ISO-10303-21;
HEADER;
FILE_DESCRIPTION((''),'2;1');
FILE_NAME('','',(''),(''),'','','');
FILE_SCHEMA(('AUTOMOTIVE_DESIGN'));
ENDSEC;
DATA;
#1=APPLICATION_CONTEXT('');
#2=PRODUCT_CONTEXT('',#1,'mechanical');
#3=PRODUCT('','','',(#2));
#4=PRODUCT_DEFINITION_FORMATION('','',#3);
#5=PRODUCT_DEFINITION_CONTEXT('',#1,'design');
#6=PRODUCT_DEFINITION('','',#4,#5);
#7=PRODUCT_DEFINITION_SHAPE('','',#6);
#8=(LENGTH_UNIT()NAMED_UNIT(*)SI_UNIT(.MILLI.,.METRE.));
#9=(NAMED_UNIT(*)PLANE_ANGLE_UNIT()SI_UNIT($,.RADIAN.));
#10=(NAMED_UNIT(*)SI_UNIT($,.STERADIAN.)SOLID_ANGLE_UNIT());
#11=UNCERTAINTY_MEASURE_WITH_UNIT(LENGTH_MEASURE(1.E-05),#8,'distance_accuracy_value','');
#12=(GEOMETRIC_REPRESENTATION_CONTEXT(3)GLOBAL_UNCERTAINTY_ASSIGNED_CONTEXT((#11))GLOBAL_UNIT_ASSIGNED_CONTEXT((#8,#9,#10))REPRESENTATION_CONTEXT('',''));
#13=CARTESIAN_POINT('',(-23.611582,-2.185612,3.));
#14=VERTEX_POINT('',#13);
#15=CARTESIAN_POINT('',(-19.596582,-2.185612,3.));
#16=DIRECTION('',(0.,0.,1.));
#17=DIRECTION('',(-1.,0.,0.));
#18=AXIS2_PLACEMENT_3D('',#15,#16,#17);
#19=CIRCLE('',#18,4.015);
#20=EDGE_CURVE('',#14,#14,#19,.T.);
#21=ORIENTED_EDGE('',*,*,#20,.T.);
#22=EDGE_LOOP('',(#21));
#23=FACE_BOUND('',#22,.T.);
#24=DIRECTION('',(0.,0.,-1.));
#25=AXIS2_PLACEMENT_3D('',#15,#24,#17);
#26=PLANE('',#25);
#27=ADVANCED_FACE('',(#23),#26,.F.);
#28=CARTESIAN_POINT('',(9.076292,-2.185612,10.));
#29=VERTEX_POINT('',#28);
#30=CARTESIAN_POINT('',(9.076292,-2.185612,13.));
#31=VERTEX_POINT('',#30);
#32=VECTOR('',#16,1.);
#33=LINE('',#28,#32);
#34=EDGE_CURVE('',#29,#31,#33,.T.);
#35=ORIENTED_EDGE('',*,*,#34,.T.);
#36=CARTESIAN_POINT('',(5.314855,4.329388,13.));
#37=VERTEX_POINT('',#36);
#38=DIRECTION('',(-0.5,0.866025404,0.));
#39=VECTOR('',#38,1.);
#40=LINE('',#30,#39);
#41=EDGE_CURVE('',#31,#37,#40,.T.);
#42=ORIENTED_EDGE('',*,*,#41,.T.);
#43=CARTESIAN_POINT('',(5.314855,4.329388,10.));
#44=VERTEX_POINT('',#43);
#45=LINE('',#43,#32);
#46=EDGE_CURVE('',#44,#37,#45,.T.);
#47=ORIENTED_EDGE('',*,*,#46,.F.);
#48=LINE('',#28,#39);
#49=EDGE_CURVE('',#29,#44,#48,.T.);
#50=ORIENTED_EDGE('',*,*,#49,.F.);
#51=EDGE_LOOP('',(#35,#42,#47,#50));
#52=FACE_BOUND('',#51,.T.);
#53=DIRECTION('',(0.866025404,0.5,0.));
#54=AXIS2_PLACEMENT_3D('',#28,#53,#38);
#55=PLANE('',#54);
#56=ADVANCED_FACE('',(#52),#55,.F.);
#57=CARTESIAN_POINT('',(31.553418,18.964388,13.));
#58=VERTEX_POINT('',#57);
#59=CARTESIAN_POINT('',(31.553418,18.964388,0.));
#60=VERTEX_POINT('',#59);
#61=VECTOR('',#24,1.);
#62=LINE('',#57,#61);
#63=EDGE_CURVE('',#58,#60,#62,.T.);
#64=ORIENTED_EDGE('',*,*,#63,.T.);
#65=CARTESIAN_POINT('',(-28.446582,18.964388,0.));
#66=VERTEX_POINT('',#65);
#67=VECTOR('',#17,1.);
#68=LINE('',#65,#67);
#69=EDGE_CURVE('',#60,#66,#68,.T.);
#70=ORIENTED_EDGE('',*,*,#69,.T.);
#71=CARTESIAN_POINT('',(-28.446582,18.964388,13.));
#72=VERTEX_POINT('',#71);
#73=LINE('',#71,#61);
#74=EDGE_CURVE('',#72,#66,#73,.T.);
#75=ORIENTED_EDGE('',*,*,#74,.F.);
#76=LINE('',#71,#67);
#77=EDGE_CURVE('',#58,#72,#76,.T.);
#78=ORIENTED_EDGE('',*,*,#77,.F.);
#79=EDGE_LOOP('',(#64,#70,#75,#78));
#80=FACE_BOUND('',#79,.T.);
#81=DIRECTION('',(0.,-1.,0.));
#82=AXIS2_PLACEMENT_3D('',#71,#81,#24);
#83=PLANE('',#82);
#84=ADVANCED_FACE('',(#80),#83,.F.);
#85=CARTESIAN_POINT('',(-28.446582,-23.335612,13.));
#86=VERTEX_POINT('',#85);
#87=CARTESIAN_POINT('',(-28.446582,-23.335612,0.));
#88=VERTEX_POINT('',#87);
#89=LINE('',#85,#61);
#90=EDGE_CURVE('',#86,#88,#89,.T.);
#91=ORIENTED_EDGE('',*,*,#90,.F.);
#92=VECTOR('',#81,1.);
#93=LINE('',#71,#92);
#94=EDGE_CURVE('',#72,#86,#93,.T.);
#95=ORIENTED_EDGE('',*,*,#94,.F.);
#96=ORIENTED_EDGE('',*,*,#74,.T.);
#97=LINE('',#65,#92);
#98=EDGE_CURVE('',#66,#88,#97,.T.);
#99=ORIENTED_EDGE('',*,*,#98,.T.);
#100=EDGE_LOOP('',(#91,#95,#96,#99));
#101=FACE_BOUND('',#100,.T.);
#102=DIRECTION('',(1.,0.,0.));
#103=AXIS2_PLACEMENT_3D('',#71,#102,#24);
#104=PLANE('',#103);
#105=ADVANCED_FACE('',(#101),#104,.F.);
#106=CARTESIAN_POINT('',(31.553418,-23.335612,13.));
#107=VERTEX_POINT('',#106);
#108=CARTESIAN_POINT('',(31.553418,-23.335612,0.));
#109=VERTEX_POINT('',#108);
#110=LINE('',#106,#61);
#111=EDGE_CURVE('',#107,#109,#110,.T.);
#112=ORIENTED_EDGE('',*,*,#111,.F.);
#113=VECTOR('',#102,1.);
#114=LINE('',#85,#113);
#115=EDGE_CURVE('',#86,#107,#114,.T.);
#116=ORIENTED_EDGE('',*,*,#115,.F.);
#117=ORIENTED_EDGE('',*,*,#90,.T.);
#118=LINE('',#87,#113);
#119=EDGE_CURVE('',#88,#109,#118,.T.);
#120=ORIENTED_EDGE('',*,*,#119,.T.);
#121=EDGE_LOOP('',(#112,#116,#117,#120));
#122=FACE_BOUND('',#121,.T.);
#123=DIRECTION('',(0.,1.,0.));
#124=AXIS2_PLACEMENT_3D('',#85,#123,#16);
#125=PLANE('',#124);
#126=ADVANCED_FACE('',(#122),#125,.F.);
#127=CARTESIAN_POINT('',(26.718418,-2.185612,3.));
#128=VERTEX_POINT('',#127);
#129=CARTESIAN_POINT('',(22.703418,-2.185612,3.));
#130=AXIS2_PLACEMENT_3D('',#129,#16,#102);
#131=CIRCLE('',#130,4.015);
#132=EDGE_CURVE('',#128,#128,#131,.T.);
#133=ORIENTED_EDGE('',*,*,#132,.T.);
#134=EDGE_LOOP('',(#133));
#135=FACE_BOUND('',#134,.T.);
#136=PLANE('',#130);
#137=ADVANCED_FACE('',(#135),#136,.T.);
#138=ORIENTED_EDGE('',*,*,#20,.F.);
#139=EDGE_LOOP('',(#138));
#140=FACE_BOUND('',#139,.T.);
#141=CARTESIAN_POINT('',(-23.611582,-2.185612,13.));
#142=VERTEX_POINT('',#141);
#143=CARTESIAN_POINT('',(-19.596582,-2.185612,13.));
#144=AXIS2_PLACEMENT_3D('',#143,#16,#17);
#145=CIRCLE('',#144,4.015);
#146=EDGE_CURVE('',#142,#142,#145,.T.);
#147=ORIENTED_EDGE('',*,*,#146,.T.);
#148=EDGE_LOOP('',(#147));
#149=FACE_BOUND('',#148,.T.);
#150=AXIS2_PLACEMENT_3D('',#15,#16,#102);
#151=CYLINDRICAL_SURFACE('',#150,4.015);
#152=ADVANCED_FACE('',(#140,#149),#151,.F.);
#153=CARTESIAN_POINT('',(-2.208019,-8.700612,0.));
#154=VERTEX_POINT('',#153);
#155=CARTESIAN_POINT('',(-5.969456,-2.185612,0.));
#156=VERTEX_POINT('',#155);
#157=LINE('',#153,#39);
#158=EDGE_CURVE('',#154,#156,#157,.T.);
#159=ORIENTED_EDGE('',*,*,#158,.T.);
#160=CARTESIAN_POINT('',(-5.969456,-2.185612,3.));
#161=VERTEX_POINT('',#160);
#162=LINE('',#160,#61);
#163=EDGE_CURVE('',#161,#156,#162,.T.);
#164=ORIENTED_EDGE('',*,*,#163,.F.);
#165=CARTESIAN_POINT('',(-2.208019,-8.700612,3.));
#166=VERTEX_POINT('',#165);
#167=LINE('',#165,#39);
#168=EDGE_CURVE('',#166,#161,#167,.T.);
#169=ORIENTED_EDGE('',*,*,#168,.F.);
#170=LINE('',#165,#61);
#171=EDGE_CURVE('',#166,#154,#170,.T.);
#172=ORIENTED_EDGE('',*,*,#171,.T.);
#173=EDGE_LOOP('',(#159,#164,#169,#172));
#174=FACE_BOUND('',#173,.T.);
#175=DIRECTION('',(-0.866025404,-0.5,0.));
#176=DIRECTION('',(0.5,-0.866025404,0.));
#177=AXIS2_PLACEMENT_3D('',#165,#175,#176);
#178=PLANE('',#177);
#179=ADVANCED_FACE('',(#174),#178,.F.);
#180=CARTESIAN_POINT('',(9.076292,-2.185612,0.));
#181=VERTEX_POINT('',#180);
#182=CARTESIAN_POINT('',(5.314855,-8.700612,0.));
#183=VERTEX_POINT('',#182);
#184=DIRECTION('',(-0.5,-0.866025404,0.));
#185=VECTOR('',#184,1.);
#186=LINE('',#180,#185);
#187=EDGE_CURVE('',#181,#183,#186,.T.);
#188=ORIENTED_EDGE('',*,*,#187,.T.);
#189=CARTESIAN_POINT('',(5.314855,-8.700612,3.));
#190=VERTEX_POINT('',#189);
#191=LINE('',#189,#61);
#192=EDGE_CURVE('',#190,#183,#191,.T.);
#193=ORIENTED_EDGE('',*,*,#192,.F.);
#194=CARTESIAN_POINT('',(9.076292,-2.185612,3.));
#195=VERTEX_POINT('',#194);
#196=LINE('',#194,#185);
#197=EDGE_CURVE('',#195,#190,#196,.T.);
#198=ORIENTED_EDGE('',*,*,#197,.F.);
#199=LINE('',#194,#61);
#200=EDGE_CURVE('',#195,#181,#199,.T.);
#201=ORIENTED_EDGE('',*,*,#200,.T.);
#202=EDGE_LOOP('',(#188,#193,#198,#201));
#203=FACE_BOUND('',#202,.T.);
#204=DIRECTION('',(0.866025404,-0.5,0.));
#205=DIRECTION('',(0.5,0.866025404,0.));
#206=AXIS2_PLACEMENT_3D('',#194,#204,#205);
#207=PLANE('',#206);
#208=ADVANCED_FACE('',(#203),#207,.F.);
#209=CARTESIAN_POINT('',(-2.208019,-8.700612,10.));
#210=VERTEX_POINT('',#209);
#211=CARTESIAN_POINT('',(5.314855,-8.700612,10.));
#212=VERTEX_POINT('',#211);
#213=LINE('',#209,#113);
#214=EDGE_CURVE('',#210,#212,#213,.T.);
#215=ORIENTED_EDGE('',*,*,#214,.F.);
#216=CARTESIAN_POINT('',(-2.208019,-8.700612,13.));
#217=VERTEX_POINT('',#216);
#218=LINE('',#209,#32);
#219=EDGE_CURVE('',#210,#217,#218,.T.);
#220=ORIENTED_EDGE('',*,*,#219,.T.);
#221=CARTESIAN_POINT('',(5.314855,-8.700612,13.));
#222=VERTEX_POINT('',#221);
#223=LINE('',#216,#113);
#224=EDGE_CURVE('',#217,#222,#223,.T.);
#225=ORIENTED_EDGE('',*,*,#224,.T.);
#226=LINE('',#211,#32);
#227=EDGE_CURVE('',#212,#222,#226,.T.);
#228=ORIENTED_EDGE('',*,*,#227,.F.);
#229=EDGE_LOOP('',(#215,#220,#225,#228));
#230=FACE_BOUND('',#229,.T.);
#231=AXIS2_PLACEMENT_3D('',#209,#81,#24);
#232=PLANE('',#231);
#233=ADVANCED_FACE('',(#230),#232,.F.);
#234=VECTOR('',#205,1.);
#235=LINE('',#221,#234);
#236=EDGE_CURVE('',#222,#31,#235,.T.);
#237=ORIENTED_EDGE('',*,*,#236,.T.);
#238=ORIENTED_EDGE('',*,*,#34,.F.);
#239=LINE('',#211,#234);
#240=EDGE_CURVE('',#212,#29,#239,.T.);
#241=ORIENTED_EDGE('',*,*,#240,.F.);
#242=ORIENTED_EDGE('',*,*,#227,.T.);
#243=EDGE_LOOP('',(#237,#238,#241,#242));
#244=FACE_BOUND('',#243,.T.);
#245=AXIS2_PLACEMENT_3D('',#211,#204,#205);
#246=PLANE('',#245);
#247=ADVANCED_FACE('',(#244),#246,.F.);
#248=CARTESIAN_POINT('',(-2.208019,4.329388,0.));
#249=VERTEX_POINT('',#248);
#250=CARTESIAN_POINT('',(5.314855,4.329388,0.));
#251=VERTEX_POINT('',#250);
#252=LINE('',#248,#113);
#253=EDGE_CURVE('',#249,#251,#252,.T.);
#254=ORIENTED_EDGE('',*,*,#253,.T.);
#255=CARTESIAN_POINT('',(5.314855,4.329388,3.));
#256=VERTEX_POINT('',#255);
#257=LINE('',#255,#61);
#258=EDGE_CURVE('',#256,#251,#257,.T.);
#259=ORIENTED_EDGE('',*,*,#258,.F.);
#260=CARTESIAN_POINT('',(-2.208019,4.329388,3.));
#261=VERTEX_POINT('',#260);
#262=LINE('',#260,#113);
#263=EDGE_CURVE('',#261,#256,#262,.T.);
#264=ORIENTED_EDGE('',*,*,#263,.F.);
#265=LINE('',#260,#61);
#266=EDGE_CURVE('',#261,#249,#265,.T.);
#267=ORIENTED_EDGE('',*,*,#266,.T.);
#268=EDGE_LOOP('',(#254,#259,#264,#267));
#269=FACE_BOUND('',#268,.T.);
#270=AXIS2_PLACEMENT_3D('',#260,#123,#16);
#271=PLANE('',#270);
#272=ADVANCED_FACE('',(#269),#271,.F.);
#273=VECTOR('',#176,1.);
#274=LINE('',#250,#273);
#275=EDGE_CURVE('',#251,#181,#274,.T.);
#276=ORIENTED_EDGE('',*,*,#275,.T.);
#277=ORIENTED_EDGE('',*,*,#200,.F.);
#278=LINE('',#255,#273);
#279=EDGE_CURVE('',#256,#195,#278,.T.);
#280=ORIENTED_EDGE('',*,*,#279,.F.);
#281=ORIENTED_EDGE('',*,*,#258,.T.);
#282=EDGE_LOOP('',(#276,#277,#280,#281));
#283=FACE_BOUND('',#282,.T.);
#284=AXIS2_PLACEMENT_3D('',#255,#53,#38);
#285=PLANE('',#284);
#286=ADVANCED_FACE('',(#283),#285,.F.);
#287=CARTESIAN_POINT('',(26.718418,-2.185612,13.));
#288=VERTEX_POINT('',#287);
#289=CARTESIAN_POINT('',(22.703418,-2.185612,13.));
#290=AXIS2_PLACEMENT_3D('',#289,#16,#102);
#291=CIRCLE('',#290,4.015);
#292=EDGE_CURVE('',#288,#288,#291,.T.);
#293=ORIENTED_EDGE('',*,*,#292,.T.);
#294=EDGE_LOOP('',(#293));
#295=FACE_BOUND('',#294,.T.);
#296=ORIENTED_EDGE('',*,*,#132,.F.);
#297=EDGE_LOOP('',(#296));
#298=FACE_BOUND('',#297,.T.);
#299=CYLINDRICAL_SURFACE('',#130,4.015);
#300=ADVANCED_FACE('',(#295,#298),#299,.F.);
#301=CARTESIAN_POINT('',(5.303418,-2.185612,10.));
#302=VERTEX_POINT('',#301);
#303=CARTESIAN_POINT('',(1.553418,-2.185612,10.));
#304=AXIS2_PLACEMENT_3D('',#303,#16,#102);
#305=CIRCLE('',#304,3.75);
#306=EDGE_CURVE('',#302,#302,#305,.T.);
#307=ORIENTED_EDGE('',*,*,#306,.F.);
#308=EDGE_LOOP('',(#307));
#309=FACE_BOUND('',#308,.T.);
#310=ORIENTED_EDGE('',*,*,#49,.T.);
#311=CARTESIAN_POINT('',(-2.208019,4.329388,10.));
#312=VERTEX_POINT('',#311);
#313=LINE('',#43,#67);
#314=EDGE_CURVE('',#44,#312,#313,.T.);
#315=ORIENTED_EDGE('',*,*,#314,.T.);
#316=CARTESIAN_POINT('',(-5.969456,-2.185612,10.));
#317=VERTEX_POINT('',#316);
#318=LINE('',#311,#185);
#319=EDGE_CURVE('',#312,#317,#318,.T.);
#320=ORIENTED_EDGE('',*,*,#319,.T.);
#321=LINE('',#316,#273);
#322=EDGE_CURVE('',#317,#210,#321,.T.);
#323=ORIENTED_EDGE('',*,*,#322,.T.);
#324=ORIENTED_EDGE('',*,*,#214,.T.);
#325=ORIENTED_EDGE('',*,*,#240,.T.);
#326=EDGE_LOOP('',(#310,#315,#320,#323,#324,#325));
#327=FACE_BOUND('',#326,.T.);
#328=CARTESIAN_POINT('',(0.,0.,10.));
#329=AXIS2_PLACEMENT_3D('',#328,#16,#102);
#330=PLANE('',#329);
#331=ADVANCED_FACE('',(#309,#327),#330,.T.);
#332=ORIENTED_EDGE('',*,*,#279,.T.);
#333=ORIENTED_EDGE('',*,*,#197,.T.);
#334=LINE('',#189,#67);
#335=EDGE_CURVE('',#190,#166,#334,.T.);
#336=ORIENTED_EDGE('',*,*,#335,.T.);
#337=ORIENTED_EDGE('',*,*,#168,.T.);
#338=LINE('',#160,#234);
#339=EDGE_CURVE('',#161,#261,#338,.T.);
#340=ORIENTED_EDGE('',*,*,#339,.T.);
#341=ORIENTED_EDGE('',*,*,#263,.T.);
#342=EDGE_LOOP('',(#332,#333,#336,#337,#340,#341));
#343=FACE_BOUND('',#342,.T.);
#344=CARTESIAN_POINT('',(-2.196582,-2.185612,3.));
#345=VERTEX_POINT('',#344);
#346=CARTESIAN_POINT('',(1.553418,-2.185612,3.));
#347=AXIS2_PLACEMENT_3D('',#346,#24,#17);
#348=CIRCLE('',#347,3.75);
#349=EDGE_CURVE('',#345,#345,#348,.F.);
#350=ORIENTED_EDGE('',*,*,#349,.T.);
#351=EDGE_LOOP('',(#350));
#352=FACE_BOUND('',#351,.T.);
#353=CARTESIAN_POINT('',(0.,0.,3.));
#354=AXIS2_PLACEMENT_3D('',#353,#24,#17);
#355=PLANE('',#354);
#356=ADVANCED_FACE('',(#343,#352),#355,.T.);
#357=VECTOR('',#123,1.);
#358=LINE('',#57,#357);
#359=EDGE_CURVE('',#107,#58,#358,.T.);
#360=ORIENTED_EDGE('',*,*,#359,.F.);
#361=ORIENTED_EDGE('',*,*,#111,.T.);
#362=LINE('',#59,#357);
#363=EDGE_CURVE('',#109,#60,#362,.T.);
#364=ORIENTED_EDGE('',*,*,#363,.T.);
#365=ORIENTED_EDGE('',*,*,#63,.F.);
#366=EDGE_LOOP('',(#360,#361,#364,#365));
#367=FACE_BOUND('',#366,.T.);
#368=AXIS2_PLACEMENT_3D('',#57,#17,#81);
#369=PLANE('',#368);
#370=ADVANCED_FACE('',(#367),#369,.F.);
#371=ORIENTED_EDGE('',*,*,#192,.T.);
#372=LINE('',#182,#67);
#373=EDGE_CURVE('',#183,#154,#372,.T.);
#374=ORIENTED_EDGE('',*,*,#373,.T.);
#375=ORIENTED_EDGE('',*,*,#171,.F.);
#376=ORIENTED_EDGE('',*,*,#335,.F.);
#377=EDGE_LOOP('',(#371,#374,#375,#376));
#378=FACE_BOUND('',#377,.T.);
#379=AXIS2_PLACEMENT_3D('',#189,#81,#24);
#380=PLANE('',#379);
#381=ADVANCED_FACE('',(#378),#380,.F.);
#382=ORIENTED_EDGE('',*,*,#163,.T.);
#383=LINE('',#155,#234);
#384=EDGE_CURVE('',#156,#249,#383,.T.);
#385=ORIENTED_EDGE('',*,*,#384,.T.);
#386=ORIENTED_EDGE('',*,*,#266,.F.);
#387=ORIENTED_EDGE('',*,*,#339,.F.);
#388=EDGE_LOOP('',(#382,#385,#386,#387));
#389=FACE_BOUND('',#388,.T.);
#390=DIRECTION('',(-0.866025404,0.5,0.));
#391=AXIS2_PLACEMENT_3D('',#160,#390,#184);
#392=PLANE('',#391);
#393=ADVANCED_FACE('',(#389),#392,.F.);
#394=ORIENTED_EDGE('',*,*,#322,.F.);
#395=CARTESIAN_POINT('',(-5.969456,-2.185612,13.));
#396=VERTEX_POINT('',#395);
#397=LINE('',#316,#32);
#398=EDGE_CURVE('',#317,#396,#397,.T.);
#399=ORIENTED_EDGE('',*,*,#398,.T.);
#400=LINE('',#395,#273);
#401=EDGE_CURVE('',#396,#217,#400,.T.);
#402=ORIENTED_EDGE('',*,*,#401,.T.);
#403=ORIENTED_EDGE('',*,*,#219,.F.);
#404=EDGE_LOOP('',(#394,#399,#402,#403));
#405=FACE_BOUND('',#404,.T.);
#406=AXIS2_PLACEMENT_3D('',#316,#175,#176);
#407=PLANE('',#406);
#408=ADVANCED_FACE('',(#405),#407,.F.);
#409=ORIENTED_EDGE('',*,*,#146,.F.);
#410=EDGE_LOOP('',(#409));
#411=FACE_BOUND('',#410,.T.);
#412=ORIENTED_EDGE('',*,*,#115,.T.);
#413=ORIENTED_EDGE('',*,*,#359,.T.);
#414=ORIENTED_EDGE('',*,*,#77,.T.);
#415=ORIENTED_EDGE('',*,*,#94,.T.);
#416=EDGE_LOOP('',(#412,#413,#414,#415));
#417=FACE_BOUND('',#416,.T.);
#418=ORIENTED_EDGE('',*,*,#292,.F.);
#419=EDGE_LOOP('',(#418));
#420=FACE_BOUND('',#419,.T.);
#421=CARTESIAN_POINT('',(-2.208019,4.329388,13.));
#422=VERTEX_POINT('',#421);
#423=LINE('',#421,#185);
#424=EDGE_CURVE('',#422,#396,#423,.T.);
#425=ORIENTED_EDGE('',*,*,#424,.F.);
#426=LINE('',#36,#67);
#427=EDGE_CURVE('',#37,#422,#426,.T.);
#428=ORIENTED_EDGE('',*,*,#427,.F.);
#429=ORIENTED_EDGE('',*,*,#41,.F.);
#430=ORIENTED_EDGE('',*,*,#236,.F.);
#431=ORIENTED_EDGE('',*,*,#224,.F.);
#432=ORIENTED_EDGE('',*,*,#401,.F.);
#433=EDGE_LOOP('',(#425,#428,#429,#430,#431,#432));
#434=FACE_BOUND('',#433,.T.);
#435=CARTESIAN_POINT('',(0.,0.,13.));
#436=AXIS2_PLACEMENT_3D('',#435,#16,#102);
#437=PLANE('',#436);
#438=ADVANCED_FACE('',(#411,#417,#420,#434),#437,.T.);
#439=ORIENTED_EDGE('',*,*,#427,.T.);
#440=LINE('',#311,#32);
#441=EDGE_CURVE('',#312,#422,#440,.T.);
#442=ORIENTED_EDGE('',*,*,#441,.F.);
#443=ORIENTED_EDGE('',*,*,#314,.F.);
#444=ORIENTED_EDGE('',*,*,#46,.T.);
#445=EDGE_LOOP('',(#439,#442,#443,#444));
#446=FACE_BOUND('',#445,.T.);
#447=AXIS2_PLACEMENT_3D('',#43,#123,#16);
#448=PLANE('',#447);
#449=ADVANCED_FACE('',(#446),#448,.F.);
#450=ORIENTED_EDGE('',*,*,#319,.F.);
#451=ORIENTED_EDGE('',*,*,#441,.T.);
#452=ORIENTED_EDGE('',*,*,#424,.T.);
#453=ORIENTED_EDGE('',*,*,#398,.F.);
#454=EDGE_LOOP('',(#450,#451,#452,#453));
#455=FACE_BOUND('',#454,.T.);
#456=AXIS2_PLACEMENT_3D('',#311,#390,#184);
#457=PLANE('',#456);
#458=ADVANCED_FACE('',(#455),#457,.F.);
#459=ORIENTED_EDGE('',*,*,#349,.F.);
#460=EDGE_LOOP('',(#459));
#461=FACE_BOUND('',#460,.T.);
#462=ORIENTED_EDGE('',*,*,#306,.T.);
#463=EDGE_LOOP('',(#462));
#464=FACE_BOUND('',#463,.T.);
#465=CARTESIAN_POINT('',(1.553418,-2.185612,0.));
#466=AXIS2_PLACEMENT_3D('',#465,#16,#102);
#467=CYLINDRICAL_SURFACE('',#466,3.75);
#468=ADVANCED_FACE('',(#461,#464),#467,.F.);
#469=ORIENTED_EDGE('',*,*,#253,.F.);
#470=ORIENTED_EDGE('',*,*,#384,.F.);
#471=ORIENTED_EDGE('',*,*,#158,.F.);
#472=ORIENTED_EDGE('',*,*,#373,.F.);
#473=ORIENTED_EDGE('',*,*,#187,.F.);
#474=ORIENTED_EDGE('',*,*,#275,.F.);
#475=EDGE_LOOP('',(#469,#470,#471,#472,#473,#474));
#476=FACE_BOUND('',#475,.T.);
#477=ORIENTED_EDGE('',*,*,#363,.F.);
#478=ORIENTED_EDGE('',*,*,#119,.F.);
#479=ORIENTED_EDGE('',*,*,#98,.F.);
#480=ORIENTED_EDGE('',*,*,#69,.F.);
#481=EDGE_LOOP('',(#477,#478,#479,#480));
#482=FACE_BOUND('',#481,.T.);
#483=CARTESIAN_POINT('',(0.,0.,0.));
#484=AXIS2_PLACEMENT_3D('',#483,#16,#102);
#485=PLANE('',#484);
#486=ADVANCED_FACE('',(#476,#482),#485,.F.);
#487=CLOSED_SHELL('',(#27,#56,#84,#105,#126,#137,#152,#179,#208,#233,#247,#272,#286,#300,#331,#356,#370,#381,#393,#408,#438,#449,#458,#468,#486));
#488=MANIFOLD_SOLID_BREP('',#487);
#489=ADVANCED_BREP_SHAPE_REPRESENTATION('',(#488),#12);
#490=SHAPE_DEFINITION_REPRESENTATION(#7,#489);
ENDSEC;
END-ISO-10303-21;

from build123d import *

# Parameters (mm, degrees)
SKETCH2_W           = 60
SKETCH2_H           = 42.3
BOSS_EXTRUDE1_DEPTH = 13
SKETCH3_R           = 4.015
CUT_EXTRUDE1_DEPTH  = 10
CUT_EXTRUDE2_DEPTH  = 3
SKETCH5_R           = 3.75
CUT_EXTRUDE3_DEPTH  = 41.498999822
CUT_EXTRUDE4_DEPTH  = 3


with BuildPart() as part:
    # Sketch2 → Boss-Extrude1 (new body)
    with BuildSketch(Plane.XY):
        with Locations((1.553418124, -2.185612083)):
            Rectangle(SKETCH2_W, SKETCH2_H)
    extrude(amount=BOSS_EXTRUDE1_DEPTH)

    # Sketch3 → Cut-Extrude1 (cut)
    with BuildSketch(Plane.XY.offset(13)):
        with Locations((22.703418124, -2.185612083)):
            Circle(SKETCH3_R)
        with Locations(Location((-19.596581876, -2.185612083, 0), (0, 0, 180))):
            Circle(SKETCH3_R)
    extrude(amount=-CUT_EXTRUDE1_DEPTH, mode=Mode.SUBTRACT)

    # Sketch4 → Cut-Extrude2 (cut)
    with BuildSketch(Plane.XY.offset(13)):
        Polygon((9.076292132, -2.185612083), (5.314855128, 4.329387917), (-2.20801888, 4.329387917), (-5.969455884, -2.185612083), (-2.20801888, -8.700612083), (5.314855128, -8.700612083), align=None)
    extrude(amount=-CUT_EXTRUDE2_DEPTH, mode=Mode.SUBTRACT)

    # Sketch5 → Cut-Extrude3 (cut, through all)
    with BuildSketch(Plane.XY.offset(10)):
        with Locations((1.553418124, -2.185612083)):
            Circle(SKETCH5_R)
    extrude(amount=-CUT_EXTRUDE3_DEPTH, mode=Mode.SUBTRACT)

    # Sketch6 → Cut-Extrude4 (cut)
    with BuildSketch(Plane(origin=(0, 0, 0), x_dir=(-1, 0, 0), z_dir=(0, 0, -1))):
        Polygon((5.969455884, -2.185612083), (2.20801888, 4.329387917), (-5.314855128, 4.329387917), (-9.076292132, -2.185612083), (-5.314855128, -8.700612083), (2.20801888, -8.700612083), align=None)
    extrude(amount=-CUT_EXTRUDE4_DEPTH, mode=Mode.SUBTRACT)


solid = part.part
